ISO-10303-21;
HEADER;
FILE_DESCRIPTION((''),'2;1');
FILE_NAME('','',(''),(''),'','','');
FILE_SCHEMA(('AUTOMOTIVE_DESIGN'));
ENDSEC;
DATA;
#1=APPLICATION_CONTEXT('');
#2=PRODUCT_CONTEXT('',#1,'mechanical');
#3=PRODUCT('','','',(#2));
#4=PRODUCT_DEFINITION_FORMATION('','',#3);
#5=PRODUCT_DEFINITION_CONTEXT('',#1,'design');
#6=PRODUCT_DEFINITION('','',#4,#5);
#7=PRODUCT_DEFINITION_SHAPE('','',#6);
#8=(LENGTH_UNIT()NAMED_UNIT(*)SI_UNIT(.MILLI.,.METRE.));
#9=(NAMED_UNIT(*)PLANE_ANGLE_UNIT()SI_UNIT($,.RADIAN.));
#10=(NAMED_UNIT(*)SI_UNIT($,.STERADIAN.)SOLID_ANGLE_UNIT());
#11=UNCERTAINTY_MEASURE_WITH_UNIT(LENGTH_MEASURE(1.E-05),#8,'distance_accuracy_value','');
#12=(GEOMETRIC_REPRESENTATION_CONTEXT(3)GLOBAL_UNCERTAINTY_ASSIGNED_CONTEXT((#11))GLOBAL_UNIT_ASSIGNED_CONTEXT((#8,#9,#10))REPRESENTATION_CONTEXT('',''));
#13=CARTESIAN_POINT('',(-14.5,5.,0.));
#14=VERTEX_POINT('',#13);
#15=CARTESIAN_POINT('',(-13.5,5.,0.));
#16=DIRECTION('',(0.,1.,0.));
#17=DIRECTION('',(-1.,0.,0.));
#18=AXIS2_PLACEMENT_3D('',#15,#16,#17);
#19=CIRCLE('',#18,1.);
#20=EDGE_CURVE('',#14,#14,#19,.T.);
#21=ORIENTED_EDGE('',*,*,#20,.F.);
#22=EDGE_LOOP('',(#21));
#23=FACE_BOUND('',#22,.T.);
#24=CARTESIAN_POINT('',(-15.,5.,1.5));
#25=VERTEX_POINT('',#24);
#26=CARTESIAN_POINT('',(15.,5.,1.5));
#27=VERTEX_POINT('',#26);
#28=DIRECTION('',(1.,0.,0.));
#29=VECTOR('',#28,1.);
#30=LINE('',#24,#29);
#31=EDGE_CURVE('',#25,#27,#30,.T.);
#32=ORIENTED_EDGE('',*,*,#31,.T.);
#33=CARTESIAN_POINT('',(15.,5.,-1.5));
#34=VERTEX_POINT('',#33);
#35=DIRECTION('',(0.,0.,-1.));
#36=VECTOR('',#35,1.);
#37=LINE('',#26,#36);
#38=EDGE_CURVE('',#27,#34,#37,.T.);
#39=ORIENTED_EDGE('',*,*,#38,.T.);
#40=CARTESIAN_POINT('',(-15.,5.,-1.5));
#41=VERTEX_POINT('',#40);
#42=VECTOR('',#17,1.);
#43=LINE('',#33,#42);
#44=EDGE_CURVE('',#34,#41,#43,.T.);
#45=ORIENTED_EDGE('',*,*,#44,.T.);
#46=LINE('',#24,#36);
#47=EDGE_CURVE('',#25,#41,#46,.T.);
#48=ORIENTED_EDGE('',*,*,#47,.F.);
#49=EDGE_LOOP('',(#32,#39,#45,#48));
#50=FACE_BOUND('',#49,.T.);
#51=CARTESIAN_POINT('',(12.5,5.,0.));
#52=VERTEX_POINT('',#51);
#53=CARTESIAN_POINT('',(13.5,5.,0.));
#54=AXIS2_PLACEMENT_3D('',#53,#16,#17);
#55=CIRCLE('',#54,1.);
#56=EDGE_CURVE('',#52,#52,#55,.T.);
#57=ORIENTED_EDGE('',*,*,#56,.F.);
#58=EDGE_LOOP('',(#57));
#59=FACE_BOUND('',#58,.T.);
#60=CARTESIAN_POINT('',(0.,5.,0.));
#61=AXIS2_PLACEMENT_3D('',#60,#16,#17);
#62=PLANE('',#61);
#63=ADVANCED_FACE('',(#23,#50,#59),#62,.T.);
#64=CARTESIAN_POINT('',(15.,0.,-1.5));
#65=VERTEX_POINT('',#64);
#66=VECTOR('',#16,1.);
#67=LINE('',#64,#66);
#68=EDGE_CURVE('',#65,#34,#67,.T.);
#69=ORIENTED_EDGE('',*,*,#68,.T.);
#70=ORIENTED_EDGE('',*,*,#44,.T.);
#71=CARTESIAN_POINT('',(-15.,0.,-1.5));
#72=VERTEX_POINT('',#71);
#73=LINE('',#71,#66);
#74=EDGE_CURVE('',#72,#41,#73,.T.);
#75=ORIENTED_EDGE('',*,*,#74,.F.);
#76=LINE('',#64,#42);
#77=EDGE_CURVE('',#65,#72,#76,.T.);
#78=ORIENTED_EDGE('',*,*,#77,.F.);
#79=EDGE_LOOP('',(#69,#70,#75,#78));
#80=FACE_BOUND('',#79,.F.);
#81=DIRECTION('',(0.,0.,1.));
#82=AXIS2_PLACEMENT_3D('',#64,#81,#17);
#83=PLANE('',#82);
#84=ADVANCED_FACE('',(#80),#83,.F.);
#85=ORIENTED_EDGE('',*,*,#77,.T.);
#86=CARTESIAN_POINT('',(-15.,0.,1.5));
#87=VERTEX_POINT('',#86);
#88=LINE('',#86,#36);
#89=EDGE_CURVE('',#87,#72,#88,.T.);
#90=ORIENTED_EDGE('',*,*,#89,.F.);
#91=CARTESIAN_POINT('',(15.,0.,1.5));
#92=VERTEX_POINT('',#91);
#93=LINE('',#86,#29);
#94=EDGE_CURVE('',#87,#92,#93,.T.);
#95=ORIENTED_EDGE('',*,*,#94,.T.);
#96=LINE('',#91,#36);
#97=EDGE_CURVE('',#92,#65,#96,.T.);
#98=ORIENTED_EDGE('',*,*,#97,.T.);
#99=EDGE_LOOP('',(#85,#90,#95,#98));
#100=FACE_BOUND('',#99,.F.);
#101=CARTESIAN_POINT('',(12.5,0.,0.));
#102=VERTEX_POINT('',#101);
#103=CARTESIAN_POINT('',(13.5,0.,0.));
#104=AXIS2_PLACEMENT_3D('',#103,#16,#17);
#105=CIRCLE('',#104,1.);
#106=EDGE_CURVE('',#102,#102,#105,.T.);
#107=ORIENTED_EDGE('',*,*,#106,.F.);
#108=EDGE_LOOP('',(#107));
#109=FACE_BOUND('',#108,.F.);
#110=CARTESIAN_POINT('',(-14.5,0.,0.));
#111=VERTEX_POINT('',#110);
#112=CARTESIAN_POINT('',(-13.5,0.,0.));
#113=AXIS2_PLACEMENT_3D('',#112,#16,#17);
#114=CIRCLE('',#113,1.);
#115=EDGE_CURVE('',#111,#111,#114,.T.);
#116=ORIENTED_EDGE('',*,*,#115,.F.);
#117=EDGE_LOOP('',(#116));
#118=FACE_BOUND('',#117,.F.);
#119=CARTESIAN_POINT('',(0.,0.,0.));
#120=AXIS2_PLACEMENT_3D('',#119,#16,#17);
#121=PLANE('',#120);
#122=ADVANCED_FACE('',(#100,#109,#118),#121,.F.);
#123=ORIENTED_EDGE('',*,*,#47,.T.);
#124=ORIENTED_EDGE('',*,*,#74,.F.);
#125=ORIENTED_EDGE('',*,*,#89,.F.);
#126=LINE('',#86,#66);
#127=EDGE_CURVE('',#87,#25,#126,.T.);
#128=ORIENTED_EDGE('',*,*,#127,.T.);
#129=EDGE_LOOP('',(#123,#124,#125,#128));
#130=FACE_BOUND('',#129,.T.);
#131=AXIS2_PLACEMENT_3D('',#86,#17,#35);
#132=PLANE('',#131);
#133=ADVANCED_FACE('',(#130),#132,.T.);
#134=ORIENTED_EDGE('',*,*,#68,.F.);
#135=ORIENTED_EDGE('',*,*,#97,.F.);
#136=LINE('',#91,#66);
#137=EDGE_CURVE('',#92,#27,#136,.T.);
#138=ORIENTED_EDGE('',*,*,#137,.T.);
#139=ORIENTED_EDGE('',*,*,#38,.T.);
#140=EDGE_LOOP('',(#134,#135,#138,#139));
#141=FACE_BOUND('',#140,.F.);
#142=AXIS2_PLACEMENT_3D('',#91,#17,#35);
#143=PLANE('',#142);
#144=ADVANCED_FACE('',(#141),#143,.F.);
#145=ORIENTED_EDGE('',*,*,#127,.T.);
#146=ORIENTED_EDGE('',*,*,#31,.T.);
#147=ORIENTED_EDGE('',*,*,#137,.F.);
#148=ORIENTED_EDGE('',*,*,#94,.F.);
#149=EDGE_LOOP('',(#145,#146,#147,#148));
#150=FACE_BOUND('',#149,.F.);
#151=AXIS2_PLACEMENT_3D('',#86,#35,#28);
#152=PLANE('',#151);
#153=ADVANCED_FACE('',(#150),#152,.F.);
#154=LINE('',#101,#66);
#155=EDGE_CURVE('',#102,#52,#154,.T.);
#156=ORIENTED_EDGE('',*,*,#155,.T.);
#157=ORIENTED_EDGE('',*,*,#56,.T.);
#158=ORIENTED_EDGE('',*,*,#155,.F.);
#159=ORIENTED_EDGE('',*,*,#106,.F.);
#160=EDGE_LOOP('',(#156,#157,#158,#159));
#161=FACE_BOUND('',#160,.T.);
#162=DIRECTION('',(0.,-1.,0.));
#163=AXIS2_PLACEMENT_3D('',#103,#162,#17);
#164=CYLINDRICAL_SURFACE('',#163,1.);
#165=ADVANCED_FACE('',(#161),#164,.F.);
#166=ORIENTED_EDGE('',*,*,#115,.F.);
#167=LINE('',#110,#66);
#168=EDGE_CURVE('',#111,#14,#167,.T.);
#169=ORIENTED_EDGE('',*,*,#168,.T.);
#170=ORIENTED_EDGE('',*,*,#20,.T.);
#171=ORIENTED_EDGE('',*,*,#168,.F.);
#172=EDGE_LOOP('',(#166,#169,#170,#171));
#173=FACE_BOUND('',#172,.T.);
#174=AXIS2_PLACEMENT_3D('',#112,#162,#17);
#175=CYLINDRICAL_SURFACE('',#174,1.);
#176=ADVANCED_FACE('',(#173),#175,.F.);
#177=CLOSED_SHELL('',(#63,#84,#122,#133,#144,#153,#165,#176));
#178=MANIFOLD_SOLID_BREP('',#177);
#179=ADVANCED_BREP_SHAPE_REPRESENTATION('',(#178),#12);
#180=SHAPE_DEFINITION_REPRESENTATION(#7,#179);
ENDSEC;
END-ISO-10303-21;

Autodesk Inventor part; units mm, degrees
ref_plane "YZ Plane" through (0, 0, 0) normal (1, 0, 0) x (0, 1, 0)
ref_plane "XZ Plane" through (0, 0, 0) normal (0, 1, 0) x (-1, 0, 0)
ref_plane "XY Plane" through (0, 0, 0) normal (0, 0, 1) x (1, 0, 0)
sketch "Sketch1" plane through (0, 0, 0) normal (0, 1, 0) x (-1, 0, 0)
  line L0 (-15, -1.5) -> (15, -1.5)
  line L1 (15, 3.5) -> (15, 3.5)
  line L2 (15, 1.5) -> (-15, 1.5)
  line L3 (-15, 3.5) -> (-15, 3.5)
  line L4 (-15, -1.5) -> (15, 1.5) construction
  line L5 (15, -1.5) -> (-15, 1.5) construction
  circle A0 centre (13.5, 0) radius 1
  line L6 (-15, 1.5) -> (-15, -1.5)
  line L7 (15, 1.5) -> (15, -1.5)
  circle A1 centre (-13.5, 0) radius 1
  point P0 (0, 0)
  dimension "d0" = 3
  dimension "d1" = 30
  dimension "d3" = 2
  dimension "d6" = 1.5
  dimension "d8" = 1.5
  dimension "d13" = 2
  dimension "d14" = 1.5
  dimension "d15" = 1.5
extrude "Extrusion1" add sketch "Sketch1" along normal blind 5
properties part number "link"
